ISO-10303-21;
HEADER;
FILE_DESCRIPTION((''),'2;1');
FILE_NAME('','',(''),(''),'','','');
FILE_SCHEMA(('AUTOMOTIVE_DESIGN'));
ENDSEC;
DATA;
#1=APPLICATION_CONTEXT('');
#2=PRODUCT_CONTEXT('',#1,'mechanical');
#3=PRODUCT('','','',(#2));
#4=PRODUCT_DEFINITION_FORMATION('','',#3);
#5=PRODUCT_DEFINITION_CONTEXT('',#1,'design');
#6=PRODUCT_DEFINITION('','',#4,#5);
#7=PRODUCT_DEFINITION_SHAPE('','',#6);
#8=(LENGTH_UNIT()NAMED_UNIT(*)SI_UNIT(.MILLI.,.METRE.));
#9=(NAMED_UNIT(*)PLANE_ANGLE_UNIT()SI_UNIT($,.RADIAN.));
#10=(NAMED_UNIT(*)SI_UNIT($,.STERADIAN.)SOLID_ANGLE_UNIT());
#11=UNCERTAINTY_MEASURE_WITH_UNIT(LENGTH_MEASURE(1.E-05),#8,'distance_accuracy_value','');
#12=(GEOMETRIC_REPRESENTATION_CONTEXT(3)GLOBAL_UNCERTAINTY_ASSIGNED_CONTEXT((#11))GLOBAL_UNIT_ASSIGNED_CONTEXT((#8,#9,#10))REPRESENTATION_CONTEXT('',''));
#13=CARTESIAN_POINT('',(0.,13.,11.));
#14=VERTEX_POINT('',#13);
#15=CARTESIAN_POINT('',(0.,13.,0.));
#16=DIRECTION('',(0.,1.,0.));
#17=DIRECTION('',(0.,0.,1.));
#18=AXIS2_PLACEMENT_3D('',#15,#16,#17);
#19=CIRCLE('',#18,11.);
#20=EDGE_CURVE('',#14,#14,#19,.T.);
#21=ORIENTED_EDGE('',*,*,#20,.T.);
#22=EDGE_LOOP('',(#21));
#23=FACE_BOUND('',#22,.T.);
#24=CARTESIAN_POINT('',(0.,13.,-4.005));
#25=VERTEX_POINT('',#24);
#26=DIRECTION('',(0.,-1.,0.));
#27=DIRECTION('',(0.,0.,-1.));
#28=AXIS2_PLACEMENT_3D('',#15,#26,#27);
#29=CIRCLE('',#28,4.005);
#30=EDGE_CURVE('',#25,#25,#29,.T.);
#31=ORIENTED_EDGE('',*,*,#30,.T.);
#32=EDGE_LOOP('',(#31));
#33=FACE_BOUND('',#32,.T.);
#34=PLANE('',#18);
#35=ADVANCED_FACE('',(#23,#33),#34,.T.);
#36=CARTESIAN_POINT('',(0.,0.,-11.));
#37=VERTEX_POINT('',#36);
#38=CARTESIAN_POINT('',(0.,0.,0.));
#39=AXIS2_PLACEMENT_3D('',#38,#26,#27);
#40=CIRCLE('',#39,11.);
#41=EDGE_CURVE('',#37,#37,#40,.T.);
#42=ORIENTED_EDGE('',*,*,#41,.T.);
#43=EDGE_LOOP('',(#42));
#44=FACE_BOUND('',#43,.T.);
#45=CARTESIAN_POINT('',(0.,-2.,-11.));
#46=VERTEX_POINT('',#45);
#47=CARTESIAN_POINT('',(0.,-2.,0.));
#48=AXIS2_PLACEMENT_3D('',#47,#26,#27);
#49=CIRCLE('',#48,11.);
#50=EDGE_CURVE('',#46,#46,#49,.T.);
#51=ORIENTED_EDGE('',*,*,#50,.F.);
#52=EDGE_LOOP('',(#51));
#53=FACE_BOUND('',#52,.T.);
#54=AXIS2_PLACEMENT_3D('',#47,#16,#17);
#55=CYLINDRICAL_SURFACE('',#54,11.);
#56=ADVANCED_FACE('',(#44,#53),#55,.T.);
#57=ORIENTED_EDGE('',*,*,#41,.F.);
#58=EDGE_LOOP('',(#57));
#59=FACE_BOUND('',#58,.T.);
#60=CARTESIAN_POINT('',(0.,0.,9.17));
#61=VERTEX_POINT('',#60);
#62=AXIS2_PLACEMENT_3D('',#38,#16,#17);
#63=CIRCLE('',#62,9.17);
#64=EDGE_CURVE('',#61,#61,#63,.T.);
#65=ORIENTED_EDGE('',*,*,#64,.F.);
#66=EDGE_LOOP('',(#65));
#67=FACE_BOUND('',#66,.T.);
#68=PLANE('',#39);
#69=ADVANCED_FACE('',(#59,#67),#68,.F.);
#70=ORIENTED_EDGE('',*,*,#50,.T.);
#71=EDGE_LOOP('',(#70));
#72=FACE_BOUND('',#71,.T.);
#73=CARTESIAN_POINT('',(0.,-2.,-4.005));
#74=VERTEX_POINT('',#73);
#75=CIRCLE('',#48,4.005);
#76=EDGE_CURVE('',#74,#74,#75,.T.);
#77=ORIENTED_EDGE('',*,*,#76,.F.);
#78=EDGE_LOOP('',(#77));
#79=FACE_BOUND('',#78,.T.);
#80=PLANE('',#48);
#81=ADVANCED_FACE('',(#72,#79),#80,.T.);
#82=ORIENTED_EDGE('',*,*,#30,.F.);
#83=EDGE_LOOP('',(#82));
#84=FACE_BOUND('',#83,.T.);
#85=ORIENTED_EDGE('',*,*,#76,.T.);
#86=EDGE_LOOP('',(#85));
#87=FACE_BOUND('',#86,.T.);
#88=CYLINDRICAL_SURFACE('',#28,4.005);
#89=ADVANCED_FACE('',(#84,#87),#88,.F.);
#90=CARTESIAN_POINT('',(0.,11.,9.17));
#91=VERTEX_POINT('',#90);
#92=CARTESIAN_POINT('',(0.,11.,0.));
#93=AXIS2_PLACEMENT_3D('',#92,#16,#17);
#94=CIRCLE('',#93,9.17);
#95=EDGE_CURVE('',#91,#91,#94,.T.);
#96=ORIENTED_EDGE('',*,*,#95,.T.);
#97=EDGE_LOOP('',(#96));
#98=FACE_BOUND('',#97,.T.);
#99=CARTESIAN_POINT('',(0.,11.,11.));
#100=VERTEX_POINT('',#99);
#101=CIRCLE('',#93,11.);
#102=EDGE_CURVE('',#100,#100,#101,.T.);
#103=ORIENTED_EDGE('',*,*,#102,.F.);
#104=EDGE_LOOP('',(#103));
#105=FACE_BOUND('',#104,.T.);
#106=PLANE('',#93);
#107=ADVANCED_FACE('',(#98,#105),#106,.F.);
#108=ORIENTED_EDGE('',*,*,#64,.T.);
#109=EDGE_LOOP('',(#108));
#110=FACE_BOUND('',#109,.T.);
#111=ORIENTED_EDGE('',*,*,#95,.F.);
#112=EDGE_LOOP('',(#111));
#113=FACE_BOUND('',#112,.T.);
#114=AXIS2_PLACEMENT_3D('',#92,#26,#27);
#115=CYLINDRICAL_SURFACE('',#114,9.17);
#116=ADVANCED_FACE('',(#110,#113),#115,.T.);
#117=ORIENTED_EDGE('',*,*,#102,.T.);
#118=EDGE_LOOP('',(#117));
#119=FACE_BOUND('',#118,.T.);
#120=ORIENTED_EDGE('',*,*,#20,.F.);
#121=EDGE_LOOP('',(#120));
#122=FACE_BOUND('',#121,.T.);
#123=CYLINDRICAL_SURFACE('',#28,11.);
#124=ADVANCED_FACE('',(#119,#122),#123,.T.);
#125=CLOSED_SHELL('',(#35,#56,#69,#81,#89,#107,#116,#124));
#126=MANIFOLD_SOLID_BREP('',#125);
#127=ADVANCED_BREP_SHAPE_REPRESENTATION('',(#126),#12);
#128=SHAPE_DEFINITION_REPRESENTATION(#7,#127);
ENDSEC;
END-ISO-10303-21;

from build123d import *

# Parameters (mm, degrees)
SKETCH_1_R          = 9.17
EXTRUDE_2_DEPTH     = 11
SKETCH_3_R          = 11
EXTRUDE_3_DEPTH     = 2
SKETCH_4_R          = 11
EXTRUDE_4_DEPTH     = 2
SKETCH_5_R          = 4.005
CUT_EXTRUDE_2_DEPTH = 16


with BuildPart() as part:
    # 草图1 → 凸台-拉伸2 (new body)
    with BuildSketch(Plane(origin=(0, 0, 0), x_dir=(1, 0, 0), z_dir=(0, 1, 0))):
        Circle(SKETCH_1_R)
    extrude(amount=EXTRUDE_2_DEPTH)

    # 草图3 → 凸台-拉伸3 (add)
    with BuildSketch(Plane(origin=(0, 11, 0), x_dir=(1, 0, 0), z_dir=(0, 1, 0))):
        Circle(SKETCH_3_R)
    extrude(amount=EXTRUDE_3_DEPTH)

    # 草图4 → 凸台-拉伸4 (add)
    with BuildSketch(Plane.XZ):
        Circle(SKETCH_4_R)
    extrude(amount=EXTRUDE_4_DEPTH)

    # 草图5 → 切除-拉伸2 (cut, through all)
    with BuildSketch(Plane.XZ.offset(2)):
        Circle(SKETCH_5_R)
    extrude(amount=-CUT_EXTRUDE_2_DEPTH, mode=Mode.SUBTRACT)


solid = part.part
